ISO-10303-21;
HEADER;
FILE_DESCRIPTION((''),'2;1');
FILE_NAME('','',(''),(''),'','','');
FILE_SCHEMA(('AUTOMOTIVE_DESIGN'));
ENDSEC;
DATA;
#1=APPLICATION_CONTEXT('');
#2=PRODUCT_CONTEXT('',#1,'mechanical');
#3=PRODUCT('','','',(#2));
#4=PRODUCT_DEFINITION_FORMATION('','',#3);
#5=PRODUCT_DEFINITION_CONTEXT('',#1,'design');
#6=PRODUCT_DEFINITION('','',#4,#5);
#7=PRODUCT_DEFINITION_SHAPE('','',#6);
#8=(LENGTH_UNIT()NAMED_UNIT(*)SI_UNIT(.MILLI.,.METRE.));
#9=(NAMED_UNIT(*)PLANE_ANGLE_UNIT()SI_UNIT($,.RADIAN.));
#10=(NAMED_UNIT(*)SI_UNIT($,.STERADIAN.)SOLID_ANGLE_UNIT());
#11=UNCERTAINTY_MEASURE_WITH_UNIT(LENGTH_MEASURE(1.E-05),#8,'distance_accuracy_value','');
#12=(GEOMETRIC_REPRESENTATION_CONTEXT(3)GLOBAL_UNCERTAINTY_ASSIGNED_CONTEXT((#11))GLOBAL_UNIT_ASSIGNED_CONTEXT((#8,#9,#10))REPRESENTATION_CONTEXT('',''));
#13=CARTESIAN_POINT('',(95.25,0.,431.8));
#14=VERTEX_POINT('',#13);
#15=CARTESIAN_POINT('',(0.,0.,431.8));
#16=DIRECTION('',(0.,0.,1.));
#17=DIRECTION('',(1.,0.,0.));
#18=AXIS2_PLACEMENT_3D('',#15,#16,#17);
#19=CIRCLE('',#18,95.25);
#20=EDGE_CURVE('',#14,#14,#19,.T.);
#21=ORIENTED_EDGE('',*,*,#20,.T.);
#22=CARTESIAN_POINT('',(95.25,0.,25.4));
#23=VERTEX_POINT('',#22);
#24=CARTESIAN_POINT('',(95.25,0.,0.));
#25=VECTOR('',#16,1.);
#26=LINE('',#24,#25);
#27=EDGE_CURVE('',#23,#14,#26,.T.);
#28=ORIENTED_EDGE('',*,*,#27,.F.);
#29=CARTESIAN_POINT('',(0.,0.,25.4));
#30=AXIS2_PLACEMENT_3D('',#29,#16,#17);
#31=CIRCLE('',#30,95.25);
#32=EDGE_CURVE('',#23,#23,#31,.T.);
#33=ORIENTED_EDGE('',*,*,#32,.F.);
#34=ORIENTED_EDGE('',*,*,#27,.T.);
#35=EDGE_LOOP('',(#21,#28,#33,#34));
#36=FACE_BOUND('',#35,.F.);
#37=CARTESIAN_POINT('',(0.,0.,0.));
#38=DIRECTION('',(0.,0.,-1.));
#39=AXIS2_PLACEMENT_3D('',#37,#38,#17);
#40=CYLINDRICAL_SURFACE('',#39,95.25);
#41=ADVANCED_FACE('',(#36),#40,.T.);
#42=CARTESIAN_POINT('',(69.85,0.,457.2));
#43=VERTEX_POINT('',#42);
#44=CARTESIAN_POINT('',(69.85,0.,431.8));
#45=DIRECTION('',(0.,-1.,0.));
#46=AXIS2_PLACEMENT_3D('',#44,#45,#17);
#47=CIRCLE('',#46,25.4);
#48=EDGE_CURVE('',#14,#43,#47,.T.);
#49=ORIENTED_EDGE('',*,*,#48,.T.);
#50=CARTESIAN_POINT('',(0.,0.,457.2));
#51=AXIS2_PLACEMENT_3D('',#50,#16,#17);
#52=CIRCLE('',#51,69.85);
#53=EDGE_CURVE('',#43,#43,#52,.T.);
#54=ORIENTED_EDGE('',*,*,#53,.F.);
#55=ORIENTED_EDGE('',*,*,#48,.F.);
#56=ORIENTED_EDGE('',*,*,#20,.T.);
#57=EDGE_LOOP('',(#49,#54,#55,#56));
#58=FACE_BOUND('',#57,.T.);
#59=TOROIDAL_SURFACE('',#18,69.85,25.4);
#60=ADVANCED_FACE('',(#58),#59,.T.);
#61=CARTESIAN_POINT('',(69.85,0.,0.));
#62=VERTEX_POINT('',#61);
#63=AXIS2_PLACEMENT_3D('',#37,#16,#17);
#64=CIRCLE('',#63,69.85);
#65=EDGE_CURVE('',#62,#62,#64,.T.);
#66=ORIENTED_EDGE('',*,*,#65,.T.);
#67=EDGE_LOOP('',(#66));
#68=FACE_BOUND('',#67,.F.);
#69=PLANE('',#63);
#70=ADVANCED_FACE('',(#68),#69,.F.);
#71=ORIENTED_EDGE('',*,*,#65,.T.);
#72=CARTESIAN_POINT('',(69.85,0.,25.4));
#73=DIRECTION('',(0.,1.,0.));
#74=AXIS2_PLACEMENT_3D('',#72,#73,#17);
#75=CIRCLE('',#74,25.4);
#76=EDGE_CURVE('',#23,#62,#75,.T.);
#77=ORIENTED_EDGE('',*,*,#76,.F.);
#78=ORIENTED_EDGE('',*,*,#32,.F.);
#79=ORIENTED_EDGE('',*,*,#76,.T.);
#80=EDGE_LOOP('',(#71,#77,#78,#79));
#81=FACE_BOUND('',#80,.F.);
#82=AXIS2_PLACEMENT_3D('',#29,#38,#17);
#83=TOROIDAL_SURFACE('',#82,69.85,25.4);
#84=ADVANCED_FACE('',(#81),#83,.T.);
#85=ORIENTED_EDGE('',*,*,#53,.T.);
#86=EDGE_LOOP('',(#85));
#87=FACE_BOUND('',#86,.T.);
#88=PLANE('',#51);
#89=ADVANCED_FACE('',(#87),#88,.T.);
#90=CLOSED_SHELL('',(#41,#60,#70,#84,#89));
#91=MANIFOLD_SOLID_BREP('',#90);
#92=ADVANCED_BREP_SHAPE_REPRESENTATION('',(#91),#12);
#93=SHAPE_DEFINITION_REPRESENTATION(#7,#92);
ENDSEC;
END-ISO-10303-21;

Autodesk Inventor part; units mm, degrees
ref_plane "YZ Plane" through (0, 0, 0) normal (1, 0, 0) x (0, 1, 0)
ref_plane "XZ Plane" through (0, 0, 0) normal (0, 1, 0) x (-1, 0, 0)
ref_plane "XY Plane" through (0, 0, 0) normal (0, 0, 1) x (1, 0, 0)
sketch "Sketch1" plane through (0, 0, 0) normal (0, 0, 1) x (1, 0, 0)
  circle A0 centre (0, 0) radius 95.25
  dimension "d0" = 190.5
extrude "Extrusion1" add sketch "Sketch1" along normal blind 457.2
fillet "Fillet1" radius 25.4 1 edges at (-95.25, 0, 0)
fillet "Fillet2" radius 25.4 1 edges at (-95.25, 0, 457.2)
properties part number "daGasContiner"
